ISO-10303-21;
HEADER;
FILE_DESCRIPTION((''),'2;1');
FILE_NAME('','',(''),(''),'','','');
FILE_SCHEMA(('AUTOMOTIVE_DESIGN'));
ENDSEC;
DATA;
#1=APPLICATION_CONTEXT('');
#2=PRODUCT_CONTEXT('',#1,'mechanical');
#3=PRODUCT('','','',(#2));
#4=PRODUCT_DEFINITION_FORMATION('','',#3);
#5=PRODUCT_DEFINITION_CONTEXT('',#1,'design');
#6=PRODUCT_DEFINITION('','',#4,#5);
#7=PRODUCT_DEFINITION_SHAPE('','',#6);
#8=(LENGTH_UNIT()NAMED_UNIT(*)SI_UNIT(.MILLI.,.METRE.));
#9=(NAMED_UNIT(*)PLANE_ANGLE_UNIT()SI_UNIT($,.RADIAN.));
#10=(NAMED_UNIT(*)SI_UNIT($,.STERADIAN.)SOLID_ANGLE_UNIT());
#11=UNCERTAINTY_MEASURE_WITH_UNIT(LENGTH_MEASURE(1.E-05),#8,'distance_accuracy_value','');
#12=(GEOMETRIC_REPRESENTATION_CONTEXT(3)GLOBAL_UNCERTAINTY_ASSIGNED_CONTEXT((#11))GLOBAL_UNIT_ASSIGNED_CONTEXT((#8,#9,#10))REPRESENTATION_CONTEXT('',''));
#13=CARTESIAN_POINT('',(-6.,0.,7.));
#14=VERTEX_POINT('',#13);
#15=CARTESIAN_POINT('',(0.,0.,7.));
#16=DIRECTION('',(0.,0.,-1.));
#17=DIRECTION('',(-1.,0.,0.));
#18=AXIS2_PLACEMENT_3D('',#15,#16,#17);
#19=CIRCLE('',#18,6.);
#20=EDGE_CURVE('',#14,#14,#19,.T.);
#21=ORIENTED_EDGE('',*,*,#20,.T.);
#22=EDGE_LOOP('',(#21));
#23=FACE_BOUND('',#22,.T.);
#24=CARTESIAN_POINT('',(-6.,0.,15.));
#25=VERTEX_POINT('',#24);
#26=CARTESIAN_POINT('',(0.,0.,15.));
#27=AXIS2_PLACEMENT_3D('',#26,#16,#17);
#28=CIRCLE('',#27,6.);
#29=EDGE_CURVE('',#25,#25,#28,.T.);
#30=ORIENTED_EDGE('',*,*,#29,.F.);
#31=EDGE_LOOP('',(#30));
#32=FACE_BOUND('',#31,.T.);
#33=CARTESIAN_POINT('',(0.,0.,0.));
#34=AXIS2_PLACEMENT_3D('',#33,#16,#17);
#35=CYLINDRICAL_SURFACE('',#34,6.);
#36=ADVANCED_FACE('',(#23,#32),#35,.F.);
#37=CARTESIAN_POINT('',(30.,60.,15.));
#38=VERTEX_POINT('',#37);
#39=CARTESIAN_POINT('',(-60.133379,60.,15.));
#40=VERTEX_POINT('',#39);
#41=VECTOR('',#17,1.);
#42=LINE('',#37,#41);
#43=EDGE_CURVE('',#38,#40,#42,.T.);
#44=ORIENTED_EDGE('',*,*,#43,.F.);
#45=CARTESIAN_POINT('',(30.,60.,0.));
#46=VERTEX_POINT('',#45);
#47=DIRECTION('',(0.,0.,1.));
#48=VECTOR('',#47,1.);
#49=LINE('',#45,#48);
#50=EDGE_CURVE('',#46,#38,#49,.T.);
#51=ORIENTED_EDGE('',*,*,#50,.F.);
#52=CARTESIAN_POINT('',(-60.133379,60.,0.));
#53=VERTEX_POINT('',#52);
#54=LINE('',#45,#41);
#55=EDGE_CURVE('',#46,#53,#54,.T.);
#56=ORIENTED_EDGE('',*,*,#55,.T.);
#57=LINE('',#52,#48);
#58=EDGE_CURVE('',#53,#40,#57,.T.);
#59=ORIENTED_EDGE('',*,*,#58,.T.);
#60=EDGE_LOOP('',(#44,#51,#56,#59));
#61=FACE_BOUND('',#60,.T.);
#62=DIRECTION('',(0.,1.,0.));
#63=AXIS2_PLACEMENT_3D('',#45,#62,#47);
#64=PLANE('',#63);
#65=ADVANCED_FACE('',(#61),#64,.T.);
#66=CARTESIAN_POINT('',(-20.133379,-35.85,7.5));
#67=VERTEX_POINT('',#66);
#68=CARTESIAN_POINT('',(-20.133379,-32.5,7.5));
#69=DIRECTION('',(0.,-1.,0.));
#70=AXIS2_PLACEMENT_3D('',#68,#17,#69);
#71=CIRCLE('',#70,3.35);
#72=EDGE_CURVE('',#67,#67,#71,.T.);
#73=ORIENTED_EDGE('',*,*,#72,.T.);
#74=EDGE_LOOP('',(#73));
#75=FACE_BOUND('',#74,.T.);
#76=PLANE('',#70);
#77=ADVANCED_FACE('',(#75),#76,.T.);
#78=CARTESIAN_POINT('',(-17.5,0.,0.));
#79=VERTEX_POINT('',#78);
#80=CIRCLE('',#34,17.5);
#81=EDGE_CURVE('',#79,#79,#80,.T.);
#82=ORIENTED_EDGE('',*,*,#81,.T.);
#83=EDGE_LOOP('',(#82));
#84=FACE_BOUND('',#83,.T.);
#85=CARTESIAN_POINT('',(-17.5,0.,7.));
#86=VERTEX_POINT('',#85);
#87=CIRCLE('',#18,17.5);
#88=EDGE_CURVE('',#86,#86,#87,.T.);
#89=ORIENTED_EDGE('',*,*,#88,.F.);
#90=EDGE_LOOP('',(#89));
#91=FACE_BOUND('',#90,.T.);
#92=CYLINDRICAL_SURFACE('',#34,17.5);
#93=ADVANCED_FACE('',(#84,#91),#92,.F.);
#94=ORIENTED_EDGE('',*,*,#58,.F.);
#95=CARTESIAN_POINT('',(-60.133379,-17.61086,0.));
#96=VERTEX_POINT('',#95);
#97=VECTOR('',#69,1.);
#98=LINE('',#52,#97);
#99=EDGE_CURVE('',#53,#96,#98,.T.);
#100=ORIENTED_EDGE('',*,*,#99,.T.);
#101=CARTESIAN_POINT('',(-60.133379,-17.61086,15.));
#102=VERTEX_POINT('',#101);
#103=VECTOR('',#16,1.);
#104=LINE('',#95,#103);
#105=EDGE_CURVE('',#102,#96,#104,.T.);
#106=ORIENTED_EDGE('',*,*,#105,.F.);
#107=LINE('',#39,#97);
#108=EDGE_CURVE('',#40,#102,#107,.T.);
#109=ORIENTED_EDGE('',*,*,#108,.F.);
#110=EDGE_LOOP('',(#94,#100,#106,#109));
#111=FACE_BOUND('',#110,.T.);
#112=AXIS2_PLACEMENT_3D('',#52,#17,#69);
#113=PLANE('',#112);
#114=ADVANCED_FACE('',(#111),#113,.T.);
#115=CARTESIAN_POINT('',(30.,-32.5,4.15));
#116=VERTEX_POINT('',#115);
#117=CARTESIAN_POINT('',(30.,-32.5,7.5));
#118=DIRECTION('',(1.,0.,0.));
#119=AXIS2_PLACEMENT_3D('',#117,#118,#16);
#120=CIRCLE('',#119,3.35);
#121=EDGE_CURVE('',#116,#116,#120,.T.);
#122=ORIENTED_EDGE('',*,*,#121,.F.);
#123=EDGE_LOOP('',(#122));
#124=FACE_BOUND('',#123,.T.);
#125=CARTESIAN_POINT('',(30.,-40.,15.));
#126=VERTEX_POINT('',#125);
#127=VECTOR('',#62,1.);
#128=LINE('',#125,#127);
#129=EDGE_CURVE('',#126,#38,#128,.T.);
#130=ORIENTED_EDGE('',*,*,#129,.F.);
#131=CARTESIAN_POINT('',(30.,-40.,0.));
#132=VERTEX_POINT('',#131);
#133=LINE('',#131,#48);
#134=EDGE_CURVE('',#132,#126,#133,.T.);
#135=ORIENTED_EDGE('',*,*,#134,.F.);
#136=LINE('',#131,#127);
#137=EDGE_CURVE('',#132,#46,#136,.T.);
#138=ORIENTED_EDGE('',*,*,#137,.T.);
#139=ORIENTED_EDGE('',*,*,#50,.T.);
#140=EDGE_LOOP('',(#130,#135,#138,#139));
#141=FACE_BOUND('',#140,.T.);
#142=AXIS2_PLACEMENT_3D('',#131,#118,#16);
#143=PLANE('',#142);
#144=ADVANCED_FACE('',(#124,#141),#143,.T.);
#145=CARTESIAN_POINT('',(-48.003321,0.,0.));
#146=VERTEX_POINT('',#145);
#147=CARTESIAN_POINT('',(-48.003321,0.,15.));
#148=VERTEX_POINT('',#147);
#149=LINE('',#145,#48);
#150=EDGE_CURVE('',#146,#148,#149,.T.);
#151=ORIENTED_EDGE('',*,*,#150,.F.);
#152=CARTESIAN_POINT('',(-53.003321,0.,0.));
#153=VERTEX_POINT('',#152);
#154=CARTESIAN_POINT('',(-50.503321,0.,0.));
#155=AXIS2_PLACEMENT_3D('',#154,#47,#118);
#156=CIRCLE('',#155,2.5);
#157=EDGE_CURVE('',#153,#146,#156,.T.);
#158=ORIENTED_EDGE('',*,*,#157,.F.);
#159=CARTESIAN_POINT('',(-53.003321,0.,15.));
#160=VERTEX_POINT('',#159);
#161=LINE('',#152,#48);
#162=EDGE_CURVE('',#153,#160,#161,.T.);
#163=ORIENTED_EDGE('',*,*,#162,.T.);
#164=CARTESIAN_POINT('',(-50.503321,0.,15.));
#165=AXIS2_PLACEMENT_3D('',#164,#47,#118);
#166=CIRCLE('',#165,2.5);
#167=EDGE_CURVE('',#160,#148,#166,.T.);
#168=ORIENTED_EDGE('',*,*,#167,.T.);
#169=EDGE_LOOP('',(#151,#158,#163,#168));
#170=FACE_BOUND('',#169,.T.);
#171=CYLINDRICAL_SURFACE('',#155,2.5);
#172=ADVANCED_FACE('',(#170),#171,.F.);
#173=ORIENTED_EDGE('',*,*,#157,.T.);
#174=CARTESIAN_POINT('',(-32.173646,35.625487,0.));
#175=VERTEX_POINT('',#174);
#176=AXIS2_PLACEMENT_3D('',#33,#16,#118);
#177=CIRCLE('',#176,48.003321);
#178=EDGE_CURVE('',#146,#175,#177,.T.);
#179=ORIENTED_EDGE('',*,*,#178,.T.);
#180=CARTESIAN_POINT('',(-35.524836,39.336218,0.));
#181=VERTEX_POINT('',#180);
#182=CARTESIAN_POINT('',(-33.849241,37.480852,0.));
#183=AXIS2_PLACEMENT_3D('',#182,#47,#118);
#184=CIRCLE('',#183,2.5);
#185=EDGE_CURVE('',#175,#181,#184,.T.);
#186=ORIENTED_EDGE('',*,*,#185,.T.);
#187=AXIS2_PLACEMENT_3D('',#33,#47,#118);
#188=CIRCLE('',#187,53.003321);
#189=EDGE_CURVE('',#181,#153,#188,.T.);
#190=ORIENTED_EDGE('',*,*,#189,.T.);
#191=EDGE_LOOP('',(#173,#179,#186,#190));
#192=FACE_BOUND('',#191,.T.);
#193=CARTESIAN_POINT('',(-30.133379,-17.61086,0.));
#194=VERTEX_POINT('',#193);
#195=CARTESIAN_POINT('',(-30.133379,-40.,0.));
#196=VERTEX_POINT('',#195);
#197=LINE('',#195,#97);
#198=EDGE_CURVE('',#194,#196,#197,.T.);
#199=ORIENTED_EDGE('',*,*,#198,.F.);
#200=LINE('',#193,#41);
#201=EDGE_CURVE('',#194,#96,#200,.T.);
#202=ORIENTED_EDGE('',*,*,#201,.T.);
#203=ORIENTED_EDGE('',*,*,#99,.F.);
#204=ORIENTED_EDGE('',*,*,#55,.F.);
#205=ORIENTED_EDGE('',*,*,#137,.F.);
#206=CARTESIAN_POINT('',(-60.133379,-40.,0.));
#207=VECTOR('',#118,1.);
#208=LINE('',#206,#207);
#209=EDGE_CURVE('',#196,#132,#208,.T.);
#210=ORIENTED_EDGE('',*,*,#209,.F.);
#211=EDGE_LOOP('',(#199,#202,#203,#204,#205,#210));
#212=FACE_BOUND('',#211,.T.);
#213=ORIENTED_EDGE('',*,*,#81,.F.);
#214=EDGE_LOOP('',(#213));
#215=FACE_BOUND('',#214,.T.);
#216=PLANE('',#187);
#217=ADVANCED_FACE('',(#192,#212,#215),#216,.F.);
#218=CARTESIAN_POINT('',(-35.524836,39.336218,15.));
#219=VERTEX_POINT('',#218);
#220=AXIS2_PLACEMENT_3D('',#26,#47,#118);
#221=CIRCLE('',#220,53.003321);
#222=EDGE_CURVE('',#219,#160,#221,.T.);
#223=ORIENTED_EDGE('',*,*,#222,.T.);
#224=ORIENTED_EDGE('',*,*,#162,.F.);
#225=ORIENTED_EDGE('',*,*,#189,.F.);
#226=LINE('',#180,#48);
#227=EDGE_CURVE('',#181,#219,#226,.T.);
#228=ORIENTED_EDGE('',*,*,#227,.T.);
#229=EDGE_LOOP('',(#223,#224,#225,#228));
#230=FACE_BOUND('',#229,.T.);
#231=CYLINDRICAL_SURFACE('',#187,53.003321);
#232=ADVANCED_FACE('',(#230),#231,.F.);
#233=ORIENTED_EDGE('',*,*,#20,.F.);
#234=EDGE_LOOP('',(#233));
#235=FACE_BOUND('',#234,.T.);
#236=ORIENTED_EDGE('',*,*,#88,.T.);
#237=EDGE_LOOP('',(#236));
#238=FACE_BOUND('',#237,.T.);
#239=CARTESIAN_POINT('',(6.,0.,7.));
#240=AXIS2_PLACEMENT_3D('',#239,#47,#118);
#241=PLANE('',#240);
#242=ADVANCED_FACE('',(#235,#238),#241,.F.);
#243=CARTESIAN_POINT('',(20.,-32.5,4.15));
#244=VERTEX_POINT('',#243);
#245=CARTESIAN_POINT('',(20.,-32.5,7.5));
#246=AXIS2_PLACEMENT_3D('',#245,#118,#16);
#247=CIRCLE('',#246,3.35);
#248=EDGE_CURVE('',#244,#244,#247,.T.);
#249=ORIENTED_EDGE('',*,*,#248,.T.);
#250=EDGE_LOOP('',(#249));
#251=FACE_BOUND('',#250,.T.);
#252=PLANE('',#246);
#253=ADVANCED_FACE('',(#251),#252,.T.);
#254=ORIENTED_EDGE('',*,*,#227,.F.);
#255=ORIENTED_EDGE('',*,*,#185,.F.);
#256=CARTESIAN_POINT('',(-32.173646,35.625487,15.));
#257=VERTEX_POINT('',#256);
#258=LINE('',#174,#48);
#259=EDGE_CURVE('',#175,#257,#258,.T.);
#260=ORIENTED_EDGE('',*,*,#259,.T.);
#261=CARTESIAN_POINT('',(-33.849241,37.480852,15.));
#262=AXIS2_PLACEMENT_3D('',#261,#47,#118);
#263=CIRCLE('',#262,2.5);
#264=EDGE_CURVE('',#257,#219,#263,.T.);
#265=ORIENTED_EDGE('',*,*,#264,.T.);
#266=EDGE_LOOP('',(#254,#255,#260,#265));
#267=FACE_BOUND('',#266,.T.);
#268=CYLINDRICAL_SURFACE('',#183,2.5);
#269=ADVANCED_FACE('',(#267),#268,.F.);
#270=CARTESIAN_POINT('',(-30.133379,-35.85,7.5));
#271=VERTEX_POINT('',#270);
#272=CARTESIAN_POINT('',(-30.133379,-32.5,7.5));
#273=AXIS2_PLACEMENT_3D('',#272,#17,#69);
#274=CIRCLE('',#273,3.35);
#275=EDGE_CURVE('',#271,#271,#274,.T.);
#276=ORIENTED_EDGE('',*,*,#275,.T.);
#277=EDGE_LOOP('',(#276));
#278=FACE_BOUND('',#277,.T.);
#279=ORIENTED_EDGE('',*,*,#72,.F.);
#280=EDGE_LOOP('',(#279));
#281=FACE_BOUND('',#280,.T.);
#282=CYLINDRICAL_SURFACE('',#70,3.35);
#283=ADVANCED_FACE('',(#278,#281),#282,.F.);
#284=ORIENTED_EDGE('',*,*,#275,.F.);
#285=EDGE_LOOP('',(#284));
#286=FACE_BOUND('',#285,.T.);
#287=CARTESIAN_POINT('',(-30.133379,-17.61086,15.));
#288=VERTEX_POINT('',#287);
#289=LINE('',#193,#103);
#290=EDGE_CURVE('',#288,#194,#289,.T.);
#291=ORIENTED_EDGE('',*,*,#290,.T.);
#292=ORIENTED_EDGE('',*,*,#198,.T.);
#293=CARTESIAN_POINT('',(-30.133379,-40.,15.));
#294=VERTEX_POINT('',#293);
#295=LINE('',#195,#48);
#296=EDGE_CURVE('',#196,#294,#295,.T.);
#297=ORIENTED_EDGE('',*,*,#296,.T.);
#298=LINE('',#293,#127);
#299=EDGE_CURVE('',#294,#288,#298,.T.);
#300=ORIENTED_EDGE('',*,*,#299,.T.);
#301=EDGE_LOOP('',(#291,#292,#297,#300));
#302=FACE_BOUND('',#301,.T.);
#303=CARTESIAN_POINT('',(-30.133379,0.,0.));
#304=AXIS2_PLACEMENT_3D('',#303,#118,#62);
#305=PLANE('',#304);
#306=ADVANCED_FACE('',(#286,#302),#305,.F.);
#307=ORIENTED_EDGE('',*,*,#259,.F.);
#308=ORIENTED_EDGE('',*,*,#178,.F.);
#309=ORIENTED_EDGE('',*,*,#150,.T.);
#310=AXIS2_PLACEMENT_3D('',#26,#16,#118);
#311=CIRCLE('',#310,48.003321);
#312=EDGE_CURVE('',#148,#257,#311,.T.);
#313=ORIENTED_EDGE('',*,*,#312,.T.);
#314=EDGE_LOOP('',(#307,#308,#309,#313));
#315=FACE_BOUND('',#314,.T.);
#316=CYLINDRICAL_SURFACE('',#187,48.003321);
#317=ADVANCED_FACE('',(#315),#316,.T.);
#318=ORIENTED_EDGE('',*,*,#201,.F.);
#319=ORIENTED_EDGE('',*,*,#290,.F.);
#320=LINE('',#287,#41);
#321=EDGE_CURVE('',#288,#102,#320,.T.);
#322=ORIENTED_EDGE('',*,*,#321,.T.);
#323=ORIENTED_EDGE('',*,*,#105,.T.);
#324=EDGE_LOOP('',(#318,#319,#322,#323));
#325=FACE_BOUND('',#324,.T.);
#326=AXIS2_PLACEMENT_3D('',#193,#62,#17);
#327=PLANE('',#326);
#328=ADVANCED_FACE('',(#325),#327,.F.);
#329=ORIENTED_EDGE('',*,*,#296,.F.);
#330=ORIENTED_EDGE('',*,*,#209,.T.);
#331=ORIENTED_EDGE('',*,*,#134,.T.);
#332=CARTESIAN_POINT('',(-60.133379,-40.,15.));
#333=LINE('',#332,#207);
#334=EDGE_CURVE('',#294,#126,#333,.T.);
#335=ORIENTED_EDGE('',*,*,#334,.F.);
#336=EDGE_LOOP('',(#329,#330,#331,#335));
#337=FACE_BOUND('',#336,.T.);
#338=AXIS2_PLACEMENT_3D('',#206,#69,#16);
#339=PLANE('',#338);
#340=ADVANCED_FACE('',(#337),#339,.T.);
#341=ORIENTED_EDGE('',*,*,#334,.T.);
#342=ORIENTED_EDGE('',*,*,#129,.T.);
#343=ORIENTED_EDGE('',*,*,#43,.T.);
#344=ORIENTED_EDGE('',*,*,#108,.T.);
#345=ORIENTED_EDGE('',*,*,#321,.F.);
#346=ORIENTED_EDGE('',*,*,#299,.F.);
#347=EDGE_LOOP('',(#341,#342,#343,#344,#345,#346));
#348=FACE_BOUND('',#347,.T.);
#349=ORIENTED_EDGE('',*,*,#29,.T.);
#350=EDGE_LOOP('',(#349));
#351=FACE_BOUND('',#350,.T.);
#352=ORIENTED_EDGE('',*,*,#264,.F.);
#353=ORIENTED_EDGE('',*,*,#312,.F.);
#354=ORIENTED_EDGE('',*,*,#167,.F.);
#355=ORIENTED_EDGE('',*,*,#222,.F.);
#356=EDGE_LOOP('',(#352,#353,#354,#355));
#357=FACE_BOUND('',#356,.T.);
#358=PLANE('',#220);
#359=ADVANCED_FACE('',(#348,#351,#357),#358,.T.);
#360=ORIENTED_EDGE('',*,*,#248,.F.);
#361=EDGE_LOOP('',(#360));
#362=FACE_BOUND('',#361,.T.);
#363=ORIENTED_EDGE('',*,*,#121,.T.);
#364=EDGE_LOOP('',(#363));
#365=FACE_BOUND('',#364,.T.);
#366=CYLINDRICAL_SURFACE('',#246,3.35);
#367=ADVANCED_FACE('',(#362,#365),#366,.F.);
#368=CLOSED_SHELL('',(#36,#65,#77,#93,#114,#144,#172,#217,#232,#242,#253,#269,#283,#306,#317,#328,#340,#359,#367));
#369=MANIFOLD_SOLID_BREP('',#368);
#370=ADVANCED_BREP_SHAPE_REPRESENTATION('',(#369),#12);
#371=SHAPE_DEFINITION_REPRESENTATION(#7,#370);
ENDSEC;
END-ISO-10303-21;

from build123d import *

# Parameters (mm, degrees)
SKETCH_1_W                   = 90.133378614
SKETCH_1_H                   = 100
EXTRUDE_1_DEPTH              = 15
HOLE_WIZARD_M101_D           = 12
HOLE_WIZARD_M101_CBORE_D     = 35
HOLE_WIZARD_M101_CBORE_DEPTH = 7
SKETCH_10_W                  = 15
SKETCH_10_H                  = 22.389140256
CUT_EXTRUDE_3_DEPTH          = 30
SKETCH_12_R                  = 3.35
CUT_EXTRUDE_4_DEPTH          = 10
CUT_EXTRUDE_START            = -10
SKETCH_14_R                  = 3.35
CUT_EXTRUDE_5_DEPTH          = 10
CUT_EXTRUDE_6_DEPTH          = 87.261365764


with BuildPart() as part:
    # Эскиз1 → Бобышка-Вытянуть1 (new body)
    with BuildSketch(Plane.XY.offset(15)):
        with Locations((-15.066689307, 10)):
            Rectangle(SKETCH_1_W, SKETCH_1_H)
    extrude(amount=-EXTRUDE_1_DEPTH)

    # Цековка для  болта с шестигранной головкой M101 (through all)
    with Locations(Plane(origin=(0, 0, 0), x_dir=(-1, 0, 0), z_dir=(0, 0, -1))):
        with Locations((0, 0)):
            CounterBoreHole(HOLE_WIZARD_M101_D / 2, HOLE_WIZARD_M101_CBORE_D / 2, HOLE_WIZARD_M101_CBORE_DEPTH)

    # Эскиз10 → Вырез-Вытянуть3 (cut)
    with BuildSketch(Plane.ZY.offset(60.133378614)):
        with Locations((7.5, -28.805429872)):
            Rectangle(SKETCH_10_W, SKETCH_10_H)
    extrude(amount=-CUT_EXTRUDE_3_DEPTH, mode=Mode.SUBTRACT)

    # Эскиз12 → Вырез-Вытянуть4 (cut)
    with BuildSketch(Plane.ZY.offset(30.133378614)):
        with Locations(Location((7.5, -32.5, 0), (0, 0, 270))):
            Circle(SKETCH_12_R)
    extrude(amount=-CUT_EXTRUDE_4_DEPTH, mode=Mode.SUBTRACT)

    # Эскиз14 → Вырез-Вытянуть5 (cut)
    with BuildSketch(Plane(origin=(30, 0, 0), x_dir=(0, 0, -1), z_dir=(1, 0, 0)).offset(CUT_EXTRUDE_START)):
        with Locations(Location((-7.5, -32.5, 0), (0, 0, 270))):
            Circle(SKETCH_14_R)
    extrude(amount=CUT_EXTRUDE_5_DEPTH, mode=Mode.SUBTRACT)

    # Эскиз18 → Вырез-Вытянуть6 (cut, through all)
    with BuildSketch(Plane.XY.offset(15)):
        with BuildLine():
            ThreePointArc((-35.524835884, 39.336218188), (-48.437001879, 21.522287864), (-53.003320895, 0))
            ThreePointArc((-53.003320895, 0), (-50.503320895, -2.5), (-48.003320895, 0))
            ThreePointArc((-48.003320895, 0), (-43.867759701, 19.492010563), (-32.173646253, 35.625486717))
            ThreePointArc((-32.173646253, 35.625486717), (-31.993875333, 39.156447268), (-35.524835884, 39.336218188))
        make_face()
    extrude(amount=-CUT_EXTRUDE_6_DEPTH, mode=Mode.SUBTRACT)


solid = part.part
